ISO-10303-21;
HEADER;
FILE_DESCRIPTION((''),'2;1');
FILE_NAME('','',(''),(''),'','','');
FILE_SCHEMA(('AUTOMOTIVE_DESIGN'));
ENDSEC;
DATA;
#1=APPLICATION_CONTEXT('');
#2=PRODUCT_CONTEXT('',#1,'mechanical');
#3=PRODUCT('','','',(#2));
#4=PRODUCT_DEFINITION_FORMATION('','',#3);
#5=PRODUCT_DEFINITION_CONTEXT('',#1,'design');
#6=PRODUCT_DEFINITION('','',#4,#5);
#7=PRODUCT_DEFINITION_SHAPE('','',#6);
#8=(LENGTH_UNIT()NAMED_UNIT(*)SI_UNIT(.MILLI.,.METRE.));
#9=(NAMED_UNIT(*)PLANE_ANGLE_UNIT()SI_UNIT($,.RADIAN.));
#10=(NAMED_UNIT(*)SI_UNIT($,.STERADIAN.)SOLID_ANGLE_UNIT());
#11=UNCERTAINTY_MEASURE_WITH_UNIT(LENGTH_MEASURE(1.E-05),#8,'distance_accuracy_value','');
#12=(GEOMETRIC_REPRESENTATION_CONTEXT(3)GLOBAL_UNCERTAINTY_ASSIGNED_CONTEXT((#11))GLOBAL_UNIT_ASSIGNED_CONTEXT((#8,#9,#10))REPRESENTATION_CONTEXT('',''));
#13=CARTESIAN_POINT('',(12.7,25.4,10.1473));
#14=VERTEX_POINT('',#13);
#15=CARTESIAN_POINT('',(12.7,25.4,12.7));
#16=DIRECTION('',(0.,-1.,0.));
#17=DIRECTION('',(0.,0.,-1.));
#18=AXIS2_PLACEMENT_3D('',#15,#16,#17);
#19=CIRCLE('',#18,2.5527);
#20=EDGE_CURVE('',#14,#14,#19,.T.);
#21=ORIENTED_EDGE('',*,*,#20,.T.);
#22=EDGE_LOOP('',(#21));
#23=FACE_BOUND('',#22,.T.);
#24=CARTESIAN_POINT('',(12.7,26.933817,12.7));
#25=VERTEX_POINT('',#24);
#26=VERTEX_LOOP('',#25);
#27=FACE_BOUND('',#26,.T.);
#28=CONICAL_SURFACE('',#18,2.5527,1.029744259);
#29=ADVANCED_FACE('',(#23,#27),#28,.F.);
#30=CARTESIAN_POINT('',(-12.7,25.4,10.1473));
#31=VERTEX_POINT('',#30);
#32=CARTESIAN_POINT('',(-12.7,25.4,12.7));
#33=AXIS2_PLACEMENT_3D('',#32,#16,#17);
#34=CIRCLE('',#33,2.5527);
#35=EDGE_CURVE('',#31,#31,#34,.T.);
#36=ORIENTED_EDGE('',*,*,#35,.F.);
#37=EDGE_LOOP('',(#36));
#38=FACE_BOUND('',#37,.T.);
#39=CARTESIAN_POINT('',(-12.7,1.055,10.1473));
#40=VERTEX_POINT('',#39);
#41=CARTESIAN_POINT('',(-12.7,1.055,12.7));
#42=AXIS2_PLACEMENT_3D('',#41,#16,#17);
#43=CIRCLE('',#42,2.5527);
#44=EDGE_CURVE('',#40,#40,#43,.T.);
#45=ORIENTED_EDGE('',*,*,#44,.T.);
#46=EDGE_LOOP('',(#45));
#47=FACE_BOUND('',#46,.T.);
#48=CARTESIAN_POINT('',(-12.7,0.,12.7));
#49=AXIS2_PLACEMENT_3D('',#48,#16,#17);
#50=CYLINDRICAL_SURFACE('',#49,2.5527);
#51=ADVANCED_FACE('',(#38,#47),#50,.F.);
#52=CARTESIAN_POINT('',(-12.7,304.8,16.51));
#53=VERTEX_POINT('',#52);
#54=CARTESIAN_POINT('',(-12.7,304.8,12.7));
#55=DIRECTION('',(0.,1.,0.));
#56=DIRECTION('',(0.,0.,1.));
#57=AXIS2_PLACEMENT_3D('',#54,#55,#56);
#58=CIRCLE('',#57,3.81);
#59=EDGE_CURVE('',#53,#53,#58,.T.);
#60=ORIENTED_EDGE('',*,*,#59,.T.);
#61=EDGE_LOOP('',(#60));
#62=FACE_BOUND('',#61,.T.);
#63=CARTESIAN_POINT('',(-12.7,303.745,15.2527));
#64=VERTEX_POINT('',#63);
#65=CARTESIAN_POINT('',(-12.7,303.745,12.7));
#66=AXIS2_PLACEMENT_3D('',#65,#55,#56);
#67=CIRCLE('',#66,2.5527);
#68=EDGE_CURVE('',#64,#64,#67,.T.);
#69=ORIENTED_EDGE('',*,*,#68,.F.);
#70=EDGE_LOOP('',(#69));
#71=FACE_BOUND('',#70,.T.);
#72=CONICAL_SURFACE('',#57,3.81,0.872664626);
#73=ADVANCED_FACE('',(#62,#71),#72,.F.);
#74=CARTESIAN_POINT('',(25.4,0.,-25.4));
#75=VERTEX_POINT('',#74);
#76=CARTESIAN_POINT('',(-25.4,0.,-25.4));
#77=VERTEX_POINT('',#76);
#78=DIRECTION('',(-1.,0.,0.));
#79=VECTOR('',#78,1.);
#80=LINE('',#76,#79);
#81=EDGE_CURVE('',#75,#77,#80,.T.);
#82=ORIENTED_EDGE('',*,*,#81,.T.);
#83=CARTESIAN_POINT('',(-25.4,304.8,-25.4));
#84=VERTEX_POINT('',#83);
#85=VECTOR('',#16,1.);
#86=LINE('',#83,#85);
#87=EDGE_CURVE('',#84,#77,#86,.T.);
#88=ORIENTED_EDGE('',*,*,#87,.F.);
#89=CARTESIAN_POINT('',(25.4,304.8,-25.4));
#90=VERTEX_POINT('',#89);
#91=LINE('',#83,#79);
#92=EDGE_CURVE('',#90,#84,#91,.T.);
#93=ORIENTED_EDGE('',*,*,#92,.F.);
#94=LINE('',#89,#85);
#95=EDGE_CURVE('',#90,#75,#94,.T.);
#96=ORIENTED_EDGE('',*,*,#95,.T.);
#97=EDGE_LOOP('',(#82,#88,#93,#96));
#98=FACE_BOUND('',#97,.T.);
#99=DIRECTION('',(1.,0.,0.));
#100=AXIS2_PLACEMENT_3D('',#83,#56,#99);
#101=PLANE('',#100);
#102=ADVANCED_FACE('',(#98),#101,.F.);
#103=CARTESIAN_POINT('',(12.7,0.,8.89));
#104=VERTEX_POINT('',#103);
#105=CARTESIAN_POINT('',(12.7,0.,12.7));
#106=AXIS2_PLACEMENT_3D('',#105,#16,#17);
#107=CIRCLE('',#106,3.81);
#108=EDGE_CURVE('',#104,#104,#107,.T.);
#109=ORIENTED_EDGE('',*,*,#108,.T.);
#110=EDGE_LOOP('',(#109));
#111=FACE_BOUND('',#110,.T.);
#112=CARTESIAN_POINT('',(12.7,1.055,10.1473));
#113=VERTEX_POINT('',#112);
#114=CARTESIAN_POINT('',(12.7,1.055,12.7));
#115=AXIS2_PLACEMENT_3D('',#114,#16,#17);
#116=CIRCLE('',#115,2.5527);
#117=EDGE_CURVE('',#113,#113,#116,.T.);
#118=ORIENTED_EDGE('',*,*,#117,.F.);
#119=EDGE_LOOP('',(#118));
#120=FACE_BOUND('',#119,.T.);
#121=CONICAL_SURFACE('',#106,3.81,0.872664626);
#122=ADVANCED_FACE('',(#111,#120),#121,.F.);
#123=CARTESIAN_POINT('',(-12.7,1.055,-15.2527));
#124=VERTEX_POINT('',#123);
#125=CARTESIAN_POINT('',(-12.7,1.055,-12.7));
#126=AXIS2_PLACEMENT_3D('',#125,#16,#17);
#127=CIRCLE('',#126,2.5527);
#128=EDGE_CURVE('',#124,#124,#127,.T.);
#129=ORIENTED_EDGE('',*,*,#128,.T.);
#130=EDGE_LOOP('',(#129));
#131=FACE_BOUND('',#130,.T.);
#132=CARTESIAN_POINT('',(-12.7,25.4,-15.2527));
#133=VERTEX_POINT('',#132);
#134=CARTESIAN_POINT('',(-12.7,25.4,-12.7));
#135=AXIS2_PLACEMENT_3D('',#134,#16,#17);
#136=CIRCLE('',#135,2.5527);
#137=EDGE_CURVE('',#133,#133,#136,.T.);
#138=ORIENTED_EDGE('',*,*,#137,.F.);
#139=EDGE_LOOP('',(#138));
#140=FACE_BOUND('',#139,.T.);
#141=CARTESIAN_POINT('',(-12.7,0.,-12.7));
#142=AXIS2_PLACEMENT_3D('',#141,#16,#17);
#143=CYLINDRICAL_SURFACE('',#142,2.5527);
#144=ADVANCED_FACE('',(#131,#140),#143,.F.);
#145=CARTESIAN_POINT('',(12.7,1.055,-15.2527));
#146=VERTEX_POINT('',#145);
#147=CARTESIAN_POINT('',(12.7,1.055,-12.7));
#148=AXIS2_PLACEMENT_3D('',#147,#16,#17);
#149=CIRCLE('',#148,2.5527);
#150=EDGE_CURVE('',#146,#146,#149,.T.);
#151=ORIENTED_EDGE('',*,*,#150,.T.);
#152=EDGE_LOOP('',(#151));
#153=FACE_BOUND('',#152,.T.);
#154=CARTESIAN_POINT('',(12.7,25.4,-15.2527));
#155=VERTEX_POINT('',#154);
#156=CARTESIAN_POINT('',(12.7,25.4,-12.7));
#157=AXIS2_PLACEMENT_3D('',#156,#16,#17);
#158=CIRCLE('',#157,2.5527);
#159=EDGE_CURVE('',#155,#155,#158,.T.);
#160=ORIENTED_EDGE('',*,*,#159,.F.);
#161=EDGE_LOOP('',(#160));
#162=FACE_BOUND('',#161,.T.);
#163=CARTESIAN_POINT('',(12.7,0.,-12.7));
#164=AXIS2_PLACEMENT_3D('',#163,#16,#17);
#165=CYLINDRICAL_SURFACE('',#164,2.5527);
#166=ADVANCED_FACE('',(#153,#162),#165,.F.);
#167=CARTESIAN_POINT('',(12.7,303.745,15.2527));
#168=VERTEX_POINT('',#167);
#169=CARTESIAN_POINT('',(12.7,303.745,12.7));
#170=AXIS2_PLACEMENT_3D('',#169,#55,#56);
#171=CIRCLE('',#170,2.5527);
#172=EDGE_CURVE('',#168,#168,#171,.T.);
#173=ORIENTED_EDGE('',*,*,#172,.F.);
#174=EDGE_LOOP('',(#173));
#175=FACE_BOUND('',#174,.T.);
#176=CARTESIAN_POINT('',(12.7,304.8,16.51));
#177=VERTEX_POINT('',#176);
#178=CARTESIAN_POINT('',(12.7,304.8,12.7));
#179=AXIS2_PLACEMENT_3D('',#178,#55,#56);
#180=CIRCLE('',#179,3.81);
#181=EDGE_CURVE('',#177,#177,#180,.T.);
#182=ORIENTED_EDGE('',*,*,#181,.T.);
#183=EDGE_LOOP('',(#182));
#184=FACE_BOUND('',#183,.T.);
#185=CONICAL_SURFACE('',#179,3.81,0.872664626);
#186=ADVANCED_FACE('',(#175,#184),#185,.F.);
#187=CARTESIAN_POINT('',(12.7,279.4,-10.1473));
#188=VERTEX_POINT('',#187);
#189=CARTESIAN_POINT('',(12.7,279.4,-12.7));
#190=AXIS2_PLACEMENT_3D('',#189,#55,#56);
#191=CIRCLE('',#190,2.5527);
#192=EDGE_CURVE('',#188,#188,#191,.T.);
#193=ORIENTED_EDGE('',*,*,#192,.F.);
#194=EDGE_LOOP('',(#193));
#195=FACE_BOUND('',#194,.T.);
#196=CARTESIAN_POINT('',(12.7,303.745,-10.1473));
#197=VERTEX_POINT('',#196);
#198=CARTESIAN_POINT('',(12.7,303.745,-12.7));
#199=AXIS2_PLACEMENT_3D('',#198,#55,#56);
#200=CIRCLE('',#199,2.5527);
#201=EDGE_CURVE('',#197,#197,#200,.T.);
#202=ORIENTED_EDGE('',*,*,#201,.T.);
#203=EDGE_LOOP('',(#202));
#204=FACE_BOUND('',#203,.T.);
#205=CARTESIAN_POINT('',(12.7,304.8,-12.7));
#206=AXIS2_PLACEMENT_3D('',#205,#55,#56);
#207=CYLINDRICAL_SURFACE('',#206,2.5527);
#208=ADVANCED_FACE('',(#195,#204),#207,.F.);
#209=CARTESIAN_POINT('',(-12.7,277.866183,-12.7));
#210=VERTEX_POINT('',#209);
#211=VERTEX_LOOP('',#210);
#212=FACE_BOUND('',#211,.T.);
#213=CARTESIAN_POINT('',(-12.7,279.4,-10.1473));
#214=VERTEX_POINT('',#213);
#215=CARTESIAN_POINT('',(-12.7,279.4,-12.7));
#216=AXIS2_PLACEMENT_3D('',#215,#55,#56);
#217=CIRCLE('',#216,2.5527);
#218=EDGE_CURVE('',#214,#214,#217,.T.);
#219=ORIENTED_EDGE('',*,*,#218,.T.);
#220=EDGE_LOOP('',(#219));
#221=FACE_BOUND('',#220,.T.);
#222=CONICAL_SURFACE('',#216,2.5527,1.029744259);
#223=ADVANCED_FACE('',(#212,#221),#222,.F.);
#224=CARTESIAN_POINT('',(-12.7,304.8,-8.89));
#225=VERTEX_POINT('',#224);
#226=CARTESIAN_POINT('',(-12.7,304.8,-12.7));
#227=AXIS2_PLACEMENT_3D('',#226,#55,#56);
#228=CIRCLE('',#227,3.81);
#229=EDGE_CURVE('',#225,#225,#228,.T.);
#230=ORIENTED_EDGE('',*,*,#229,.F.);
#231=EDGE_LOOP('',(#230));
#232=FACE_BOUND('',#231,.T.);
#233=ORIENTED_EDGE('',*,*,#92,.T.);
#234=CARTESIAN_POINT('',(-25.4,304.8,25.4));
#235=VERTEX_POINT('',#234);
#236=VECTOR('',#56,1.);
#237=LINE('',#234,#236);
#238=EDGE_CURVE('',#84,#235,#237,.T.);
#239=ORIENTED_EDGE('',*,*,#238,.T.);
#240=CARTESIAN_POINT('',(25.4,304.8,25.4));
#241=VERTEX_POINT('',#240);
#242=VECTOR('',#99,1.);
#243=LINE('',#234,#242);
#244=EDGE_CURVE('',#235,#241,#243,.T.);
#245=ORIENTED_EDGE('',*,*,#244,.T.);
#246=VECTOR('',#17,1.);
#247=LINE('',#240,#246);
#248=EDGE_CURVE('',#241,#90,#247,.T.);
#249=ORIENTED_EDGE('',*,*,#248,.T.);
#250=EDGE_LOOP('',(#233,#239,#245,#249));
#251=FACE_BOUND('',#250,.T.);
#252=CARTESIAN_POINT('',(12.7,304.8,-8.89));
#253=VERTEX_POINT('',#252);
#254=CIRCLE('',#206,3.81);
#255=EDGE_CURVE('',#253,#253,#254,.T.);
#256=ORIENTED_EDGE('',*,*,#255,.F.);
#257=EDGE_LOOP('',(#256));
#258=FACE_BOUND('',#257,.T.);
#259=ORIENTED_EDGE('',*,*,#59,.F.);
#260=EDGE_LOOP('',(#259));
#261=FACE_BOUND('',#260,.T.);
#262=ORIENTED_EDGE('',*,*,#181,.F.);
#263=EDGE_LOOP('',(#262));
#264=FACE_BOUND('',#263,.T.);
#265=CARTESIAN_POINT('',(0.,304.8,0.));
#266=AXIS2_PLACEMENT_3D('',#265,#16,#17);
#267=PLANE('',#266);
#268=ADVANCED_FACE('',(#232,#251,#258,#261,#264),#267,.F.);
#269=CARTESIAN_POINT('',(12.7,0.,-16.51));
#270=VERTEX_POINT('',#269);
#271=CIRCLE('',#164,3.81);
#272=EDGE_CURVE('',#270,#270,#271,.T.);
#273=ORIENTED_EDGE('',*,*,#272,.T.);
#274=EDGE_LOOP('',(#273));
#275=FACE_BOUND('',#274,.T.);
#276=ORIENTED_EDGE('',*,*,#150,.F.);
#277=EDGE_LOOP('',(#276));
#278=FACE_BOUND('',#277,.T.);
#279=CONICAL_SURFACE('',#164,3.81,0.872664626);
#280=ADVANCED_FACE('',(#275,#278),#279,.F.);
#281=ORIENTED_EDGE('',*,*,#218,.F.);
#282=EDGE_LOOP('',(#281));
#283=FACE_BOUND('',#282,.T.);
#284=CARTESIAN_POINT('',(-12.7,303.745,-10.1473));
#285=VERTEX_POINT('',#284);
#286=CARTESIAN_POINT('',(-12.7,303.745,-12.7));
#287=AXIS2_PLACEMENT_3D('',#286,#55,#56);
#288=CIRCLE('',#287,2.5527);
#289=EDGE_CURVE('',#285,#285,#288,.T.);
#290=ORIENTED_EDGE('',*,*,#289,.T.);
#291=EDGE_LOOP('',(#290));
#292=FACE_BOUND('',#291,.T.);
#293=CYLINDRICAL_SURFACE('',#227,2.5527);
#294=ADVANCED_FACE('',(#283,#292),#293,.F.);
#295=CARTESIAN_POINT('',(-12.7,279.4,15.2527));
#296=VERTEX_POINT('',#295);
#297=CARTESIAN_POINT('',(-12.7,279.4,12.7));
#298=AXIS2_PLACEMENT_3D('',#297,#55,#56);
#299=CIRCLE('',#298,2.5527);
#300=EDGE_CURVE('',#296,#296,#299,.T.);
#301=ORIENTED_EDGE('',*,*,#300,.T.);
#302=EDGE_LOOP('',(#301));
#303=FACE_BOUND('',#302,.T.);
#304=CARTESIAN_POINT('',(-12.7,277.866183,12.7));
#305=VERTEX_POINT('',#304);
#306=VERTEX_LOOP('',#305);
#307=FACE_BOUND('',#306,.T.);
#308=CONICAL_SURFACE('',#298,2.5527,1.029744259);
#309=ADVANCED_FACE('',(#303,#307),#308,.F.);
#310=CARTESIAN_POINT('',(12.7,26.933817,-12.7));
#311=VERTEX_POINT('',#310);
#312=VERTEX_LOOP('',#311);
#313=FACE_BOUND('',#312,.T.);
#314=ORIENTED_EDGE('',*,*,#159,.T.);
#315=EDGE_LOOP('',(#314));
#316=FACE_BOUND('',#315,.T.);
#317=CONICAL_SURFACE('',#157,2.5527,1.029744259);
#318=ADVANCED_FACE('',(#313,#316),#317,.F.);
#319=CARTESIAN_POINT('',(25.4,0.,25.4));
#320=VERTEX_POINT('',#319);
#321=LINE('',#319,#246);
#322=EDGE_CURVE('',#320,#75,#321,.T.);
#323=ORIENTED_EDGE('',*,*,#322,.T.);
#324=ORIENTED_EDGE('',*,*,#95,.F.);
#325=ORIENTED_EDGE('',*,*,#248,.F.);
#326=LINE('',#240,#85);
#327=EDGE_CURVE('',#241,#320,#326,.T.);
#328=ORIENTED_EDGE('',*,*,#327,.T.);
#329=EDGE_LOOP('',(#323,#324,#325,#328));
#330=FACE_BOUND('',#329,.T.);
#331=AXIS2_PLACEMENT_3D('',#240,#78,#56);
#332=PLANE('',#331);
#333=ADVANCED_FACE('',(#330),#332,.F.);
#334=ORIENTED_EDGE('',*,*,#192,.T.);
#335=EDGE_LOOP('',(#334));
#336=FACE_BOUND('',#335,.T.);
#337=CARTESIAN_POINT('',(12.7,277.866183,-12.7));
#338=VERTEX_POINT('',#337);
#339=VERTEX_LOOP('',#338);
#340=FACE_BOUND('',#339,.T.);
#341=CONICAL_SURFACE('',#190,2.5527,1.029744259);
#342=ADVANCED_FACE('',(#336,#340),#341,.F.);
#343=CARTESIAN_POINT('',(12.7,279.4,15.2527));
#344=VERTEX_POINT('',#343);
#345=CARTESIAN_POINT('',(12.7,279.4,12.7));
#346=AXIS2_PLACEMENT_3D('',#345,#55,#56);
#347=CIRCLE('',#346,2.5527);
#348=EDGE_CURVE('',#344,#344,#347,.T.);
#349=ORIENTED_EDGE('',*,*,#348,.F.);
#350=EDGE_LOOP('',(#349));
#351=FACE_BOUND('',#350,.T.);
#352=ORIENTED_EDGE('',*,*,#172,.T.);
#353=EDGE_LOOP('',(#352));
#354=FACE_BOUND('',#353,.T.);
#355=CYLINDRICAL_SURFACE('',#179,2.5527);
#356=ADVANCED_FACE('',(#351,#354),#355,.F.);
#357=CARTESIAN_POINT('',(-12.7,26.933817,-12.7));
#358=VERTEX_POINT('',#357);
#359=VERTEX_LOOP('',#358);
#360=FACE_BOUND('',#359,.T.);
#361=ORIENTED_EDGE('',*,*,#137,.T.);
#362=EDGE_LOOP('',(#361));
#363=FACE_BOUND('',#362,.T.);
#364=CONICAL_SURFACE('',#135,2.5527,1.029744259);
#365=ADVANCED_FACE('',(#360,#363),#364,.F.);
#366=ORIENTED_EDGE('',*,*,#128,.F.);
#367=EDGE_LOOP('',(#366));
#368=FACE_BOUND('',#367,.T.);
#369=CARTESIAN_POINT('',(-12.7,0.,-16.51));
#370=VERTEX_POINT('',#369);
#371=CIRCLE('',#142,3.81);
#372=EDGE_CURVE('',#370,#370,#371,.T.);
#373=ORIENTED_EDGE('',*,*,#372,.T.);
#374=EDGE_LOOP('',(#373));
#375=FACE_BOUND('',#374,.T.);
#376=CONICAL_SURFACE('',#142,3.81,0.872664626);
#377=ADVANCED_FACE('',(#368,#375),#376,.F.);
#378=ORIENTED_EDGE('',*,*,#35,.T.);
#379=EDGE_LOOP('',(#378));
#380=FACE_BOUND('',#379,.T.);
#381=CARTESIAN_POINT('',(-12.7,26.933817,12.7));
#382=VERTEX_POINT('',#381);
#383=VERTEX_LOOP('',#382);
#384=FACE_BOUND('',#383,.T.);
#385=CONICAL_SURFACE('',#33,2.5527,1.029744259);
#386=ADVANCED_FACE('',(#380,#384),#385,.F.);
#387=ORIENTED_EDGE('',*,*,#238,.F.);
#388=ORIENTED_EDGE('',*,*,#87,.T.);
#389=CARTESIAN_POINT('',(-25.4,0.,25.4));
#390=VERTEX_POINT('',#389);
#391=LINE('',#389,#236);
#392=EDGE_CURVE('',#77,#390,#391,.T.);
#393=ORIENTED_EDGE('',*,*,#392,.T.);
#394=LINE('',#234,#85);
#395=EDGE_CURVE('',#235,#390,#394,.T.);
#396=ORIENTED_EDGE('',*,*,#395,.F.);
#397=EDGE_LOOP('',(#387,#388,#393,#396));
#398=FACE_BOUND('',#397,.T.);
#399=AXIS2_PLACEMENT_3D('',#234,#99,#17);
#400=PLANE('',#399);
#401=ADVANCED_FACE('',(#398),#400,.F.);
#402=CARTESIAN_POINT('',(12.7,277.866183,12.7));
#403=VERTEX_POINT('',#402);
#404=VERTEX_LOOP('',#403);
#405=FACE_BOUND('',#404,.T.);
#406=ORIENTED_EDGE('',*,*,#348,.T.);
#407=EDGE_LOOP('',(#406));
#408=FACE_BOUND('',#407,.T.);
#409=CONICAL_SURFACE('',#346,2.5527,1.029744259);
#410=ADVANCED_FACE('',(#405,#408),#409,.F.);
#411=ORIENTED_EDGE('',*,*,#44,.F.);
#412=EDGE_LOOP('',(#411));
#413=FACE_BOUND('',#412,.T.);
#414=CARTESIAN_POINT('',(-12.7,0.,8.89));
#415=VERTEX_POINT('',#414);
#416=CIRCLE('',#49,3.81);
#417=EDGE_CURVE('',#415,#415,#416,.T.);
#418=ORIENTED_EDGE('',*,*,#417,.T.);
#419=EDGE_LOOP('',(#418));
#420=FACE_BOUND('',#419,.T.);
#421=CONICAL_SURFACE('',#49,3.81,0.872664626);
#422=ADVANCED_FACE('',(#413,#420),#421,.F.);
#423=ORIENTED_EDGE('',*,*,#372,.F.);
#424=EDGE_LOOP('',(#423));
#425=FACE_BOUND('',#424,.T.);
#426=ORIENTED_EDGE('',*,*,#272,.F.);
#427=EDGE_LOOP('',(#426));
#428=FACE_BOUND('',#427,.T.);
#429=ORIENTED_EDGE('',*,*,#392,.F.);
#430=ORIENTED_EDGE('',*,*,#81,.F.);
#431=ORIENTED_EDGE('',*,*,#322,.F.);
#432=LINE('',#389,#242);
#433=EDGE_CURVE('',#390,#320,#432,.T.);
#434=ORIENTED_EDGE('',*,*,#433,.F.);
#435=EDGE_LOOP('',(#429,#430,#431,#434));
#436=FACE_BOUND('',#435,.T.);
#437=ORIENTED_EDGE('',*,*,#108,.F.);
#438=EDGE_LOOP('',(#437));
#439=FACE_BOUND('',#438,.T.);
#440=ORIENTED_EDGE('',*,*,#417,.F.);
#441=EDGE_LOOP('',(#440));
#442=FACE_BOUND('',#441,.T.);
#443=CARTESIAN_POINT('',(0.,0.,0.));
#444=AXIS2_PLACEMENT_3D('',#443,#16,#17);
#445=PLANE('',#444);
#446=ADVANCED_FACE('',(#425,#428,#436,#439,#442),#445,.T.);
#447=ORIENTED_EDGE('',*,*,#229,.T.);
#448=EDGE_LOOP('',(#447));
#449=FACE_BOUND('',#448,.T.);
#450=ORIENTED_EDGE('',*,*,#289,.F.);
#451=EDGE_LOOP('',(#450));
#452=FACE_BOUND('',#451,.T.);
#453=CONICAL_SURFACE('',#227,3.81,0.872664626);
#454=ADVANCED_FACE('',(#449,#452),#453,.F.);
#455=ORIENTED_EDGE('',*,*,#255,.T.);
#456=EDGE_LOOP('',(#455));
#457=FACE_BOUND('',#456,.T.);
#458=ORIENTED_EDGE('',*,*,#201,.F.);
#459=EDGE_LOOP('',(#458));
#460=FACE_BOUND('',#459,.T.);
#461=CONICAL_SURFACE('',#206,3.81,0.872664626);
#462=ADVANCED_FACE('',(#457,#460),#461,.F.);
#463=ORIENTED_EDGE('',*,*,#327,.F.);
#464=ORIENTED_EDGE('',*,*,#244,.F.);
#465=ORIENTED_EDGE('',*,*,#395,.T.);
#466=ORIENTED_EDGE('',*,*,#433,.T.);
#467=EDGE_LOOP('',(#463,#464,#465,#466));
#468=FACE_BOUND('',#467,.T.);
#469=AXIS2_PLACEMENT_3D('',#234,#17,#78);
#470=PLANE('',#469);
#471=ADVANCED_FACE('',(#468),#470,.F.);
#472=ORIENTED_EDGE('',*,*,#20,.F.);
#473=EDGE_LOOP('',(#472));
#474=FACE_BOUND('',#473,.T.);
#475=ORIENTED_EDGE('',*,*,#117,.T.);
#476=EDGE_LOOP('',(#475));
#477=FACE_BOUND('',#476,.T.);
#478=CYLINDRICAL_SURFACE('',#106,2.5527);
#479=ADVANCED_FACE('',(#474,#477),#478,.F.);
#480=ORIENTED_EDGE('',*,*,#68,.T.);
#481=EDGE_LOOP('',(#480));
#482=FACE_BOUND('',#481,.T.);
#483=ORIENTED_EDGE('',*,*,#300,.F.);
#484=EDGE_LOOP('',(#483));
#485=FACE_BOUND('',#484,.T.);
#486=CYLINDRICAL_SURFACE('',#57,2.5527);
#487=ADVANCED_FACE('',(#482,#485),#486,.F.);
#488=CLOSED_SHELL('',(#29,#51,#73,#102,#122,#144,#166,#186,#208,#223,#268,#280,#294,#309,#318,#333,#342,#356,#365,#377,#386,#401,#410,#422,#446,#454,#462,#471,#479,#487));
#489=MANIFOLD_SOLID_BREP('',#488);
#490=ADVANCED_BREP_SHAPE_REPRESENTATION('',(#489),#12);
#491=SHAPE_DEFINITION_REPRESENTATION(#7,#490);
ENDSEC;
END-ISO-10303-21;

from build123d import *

# Parameters (mm, degrees)
SKETCH1_W                        = 50.8
SKETCH1_H                        = 50.8
BOSS_EXTRUDE1_DEPTH              = 304.8
F_1_4_20_TAPPED_HOLE1_AT_2_COUNT = 2
F_1_4_20_TAPPED_HOLE1_AT_2_PITCH = 25.4
F_1_4_20_TAPPED_HOLE1_AT_3_COUNT = 2
F_1_4_20_TAPPED_HOLE1_AT_3_PITCH = 35.921024484
F_1_4_20_TAPPED_HOLE1_AT_4_COUNT = 2
F_1_4_20_TAPPED_HOLE1_AT_4_PITCH = 25.4


with BuildPart() as part:
    # Sketch1 → Boss-Extrude1 (new body)
    with BuildSketch(Plane(origin=(0, 0, 0), x_dir=(1, 0, 0), z_dir=(0, 1, 0))):
        Rectangle(SKETCH1_W, SKETCH1_H)
    extrude(amount=BOSS_EXTRUDE1_DEPTH)

    # Sketch3 → 1/4-20 Tapped Hole1 (revolve, cut)
    with BuildSketch(Plane(origin=(-12.7, 304.8, -12.7), x_dir=(0, 0, 1), z_dir=(1, 0, 0))):
        Polygon((0, 0), (0, 26.933816902), (2.5527, 25.4), (2.5527, 1.054999966), (3.81, 0), align=None)
    f_1_4_20_tapped_hole1 = revolve(axis=Axis((-12.7, 311.15, -12.7), (0, -1, 0)), mode=Mode.SUBTRACT)

    # 1/4-20 Tapped Hole1 at 2: 1/4-20 Tapped Hole1 ×2
    with Locations(*[(i * F_1_4_20_TAPPED_HOLE1_AT_2_PITCH, 0, 0) for i in range(1, F_1_4_20_TAPPED_HOLE1_AT_2_COUNT)]):
        add(f_1_4_20_tapped_hole1, mode=Mode.SUBTRACT)

    # 1/4-20 Tapped Hole1 at 3: 1/4-20 Tapped Hole1 ×2
    with Locations(*[Vector(0.7071067811865476, 0, 0.7071067811865475) * (i * F_1_4_20_TAPPED_HOLE1_AT_3_PITCH) for i in range(1, F_1_4_20_TAPPED_HOLE1_AT_3_COUNT)]):
        add(f_1_4_20_tapped_hole1, mode=Mode.SUBTRACT)

    # 1/4-20 Tapped Hole1 at 4: 1/4-20 Tapped Hole1 ×2
    with Locations(*[(0, 0, i * F_1_4_20_TAPPED_HOLE1_AT_4_PITCH) for i in range(1, F_1_4_20_TAPPED_HOLE1_AT_4_COUNT)]):
        add(f_1_4_20_tapped_hole1, mode=Mode.SUBTRACT)

    # Mirror1: 1/4-20 Tapped Hole1 across plane
    add(f_1_4_20_tapped_hole1.mirror(Plane(origin=(0, 152.4, 0), x_dir=(0, 0, 1), z_dir=(0, -1, 0))), mode=Mode.SUBTRACT)

    # Mirror1 copy 1 sketch → Mirror1 copy 1 (revolve, cut)
    with BuildSketch(Plane(origin=(12.7, 0, -12.7), x_dir=(0, 0, 1), z_dir=(1, 0, 0))):
        Polygon((0, 0), (0, -26.933816902), (2.5527, -25.4), (2.5527, -1.054999966), (3.81, 0), align=None)
    revolve(axis=Axis((12.7, -6.35, -12.7), (0, -1, 0)), mode=Mode.SUBTRACT)

    # Mirror1 copy 2 sketch → Mirror1 copy 2 (revolve, cut)
    with BuildSketch(Plane(origin=(12.7, 0, 12.7), x_dir=(0, 0, 1), z_dir=(1, 0, 0))):
        Polygon((0, 0), (0, -26.933816902), (2.5527, -25.4), (2.5527, -1.054999966), (3.81, 0), align=None)
    revolve(axis=Axis((12.7, -6.35, 12.7), (0, -1, 0)), mode=Mode.SUBTRACT)

    # Mirror1 copy 3 sketch → Mirror1 copy 3 (revolve, cut)
    with BuildSketch(Plane(origin=(-12.7, 0, 12.7), x_dir=(0, 0, 1), z_dir=(1, 0, 0))):
        Polygon((0, 0), (0, -26.933816902), (2.5527, -25.4), (2.5527, -1.054999966), (3.81, 0), align=None)
    revolve(axis=Axis((-12.7, -6.35, 12.7), (0, -1, 0)), mode=Mode.SUBTRACT)


solid = part.part
